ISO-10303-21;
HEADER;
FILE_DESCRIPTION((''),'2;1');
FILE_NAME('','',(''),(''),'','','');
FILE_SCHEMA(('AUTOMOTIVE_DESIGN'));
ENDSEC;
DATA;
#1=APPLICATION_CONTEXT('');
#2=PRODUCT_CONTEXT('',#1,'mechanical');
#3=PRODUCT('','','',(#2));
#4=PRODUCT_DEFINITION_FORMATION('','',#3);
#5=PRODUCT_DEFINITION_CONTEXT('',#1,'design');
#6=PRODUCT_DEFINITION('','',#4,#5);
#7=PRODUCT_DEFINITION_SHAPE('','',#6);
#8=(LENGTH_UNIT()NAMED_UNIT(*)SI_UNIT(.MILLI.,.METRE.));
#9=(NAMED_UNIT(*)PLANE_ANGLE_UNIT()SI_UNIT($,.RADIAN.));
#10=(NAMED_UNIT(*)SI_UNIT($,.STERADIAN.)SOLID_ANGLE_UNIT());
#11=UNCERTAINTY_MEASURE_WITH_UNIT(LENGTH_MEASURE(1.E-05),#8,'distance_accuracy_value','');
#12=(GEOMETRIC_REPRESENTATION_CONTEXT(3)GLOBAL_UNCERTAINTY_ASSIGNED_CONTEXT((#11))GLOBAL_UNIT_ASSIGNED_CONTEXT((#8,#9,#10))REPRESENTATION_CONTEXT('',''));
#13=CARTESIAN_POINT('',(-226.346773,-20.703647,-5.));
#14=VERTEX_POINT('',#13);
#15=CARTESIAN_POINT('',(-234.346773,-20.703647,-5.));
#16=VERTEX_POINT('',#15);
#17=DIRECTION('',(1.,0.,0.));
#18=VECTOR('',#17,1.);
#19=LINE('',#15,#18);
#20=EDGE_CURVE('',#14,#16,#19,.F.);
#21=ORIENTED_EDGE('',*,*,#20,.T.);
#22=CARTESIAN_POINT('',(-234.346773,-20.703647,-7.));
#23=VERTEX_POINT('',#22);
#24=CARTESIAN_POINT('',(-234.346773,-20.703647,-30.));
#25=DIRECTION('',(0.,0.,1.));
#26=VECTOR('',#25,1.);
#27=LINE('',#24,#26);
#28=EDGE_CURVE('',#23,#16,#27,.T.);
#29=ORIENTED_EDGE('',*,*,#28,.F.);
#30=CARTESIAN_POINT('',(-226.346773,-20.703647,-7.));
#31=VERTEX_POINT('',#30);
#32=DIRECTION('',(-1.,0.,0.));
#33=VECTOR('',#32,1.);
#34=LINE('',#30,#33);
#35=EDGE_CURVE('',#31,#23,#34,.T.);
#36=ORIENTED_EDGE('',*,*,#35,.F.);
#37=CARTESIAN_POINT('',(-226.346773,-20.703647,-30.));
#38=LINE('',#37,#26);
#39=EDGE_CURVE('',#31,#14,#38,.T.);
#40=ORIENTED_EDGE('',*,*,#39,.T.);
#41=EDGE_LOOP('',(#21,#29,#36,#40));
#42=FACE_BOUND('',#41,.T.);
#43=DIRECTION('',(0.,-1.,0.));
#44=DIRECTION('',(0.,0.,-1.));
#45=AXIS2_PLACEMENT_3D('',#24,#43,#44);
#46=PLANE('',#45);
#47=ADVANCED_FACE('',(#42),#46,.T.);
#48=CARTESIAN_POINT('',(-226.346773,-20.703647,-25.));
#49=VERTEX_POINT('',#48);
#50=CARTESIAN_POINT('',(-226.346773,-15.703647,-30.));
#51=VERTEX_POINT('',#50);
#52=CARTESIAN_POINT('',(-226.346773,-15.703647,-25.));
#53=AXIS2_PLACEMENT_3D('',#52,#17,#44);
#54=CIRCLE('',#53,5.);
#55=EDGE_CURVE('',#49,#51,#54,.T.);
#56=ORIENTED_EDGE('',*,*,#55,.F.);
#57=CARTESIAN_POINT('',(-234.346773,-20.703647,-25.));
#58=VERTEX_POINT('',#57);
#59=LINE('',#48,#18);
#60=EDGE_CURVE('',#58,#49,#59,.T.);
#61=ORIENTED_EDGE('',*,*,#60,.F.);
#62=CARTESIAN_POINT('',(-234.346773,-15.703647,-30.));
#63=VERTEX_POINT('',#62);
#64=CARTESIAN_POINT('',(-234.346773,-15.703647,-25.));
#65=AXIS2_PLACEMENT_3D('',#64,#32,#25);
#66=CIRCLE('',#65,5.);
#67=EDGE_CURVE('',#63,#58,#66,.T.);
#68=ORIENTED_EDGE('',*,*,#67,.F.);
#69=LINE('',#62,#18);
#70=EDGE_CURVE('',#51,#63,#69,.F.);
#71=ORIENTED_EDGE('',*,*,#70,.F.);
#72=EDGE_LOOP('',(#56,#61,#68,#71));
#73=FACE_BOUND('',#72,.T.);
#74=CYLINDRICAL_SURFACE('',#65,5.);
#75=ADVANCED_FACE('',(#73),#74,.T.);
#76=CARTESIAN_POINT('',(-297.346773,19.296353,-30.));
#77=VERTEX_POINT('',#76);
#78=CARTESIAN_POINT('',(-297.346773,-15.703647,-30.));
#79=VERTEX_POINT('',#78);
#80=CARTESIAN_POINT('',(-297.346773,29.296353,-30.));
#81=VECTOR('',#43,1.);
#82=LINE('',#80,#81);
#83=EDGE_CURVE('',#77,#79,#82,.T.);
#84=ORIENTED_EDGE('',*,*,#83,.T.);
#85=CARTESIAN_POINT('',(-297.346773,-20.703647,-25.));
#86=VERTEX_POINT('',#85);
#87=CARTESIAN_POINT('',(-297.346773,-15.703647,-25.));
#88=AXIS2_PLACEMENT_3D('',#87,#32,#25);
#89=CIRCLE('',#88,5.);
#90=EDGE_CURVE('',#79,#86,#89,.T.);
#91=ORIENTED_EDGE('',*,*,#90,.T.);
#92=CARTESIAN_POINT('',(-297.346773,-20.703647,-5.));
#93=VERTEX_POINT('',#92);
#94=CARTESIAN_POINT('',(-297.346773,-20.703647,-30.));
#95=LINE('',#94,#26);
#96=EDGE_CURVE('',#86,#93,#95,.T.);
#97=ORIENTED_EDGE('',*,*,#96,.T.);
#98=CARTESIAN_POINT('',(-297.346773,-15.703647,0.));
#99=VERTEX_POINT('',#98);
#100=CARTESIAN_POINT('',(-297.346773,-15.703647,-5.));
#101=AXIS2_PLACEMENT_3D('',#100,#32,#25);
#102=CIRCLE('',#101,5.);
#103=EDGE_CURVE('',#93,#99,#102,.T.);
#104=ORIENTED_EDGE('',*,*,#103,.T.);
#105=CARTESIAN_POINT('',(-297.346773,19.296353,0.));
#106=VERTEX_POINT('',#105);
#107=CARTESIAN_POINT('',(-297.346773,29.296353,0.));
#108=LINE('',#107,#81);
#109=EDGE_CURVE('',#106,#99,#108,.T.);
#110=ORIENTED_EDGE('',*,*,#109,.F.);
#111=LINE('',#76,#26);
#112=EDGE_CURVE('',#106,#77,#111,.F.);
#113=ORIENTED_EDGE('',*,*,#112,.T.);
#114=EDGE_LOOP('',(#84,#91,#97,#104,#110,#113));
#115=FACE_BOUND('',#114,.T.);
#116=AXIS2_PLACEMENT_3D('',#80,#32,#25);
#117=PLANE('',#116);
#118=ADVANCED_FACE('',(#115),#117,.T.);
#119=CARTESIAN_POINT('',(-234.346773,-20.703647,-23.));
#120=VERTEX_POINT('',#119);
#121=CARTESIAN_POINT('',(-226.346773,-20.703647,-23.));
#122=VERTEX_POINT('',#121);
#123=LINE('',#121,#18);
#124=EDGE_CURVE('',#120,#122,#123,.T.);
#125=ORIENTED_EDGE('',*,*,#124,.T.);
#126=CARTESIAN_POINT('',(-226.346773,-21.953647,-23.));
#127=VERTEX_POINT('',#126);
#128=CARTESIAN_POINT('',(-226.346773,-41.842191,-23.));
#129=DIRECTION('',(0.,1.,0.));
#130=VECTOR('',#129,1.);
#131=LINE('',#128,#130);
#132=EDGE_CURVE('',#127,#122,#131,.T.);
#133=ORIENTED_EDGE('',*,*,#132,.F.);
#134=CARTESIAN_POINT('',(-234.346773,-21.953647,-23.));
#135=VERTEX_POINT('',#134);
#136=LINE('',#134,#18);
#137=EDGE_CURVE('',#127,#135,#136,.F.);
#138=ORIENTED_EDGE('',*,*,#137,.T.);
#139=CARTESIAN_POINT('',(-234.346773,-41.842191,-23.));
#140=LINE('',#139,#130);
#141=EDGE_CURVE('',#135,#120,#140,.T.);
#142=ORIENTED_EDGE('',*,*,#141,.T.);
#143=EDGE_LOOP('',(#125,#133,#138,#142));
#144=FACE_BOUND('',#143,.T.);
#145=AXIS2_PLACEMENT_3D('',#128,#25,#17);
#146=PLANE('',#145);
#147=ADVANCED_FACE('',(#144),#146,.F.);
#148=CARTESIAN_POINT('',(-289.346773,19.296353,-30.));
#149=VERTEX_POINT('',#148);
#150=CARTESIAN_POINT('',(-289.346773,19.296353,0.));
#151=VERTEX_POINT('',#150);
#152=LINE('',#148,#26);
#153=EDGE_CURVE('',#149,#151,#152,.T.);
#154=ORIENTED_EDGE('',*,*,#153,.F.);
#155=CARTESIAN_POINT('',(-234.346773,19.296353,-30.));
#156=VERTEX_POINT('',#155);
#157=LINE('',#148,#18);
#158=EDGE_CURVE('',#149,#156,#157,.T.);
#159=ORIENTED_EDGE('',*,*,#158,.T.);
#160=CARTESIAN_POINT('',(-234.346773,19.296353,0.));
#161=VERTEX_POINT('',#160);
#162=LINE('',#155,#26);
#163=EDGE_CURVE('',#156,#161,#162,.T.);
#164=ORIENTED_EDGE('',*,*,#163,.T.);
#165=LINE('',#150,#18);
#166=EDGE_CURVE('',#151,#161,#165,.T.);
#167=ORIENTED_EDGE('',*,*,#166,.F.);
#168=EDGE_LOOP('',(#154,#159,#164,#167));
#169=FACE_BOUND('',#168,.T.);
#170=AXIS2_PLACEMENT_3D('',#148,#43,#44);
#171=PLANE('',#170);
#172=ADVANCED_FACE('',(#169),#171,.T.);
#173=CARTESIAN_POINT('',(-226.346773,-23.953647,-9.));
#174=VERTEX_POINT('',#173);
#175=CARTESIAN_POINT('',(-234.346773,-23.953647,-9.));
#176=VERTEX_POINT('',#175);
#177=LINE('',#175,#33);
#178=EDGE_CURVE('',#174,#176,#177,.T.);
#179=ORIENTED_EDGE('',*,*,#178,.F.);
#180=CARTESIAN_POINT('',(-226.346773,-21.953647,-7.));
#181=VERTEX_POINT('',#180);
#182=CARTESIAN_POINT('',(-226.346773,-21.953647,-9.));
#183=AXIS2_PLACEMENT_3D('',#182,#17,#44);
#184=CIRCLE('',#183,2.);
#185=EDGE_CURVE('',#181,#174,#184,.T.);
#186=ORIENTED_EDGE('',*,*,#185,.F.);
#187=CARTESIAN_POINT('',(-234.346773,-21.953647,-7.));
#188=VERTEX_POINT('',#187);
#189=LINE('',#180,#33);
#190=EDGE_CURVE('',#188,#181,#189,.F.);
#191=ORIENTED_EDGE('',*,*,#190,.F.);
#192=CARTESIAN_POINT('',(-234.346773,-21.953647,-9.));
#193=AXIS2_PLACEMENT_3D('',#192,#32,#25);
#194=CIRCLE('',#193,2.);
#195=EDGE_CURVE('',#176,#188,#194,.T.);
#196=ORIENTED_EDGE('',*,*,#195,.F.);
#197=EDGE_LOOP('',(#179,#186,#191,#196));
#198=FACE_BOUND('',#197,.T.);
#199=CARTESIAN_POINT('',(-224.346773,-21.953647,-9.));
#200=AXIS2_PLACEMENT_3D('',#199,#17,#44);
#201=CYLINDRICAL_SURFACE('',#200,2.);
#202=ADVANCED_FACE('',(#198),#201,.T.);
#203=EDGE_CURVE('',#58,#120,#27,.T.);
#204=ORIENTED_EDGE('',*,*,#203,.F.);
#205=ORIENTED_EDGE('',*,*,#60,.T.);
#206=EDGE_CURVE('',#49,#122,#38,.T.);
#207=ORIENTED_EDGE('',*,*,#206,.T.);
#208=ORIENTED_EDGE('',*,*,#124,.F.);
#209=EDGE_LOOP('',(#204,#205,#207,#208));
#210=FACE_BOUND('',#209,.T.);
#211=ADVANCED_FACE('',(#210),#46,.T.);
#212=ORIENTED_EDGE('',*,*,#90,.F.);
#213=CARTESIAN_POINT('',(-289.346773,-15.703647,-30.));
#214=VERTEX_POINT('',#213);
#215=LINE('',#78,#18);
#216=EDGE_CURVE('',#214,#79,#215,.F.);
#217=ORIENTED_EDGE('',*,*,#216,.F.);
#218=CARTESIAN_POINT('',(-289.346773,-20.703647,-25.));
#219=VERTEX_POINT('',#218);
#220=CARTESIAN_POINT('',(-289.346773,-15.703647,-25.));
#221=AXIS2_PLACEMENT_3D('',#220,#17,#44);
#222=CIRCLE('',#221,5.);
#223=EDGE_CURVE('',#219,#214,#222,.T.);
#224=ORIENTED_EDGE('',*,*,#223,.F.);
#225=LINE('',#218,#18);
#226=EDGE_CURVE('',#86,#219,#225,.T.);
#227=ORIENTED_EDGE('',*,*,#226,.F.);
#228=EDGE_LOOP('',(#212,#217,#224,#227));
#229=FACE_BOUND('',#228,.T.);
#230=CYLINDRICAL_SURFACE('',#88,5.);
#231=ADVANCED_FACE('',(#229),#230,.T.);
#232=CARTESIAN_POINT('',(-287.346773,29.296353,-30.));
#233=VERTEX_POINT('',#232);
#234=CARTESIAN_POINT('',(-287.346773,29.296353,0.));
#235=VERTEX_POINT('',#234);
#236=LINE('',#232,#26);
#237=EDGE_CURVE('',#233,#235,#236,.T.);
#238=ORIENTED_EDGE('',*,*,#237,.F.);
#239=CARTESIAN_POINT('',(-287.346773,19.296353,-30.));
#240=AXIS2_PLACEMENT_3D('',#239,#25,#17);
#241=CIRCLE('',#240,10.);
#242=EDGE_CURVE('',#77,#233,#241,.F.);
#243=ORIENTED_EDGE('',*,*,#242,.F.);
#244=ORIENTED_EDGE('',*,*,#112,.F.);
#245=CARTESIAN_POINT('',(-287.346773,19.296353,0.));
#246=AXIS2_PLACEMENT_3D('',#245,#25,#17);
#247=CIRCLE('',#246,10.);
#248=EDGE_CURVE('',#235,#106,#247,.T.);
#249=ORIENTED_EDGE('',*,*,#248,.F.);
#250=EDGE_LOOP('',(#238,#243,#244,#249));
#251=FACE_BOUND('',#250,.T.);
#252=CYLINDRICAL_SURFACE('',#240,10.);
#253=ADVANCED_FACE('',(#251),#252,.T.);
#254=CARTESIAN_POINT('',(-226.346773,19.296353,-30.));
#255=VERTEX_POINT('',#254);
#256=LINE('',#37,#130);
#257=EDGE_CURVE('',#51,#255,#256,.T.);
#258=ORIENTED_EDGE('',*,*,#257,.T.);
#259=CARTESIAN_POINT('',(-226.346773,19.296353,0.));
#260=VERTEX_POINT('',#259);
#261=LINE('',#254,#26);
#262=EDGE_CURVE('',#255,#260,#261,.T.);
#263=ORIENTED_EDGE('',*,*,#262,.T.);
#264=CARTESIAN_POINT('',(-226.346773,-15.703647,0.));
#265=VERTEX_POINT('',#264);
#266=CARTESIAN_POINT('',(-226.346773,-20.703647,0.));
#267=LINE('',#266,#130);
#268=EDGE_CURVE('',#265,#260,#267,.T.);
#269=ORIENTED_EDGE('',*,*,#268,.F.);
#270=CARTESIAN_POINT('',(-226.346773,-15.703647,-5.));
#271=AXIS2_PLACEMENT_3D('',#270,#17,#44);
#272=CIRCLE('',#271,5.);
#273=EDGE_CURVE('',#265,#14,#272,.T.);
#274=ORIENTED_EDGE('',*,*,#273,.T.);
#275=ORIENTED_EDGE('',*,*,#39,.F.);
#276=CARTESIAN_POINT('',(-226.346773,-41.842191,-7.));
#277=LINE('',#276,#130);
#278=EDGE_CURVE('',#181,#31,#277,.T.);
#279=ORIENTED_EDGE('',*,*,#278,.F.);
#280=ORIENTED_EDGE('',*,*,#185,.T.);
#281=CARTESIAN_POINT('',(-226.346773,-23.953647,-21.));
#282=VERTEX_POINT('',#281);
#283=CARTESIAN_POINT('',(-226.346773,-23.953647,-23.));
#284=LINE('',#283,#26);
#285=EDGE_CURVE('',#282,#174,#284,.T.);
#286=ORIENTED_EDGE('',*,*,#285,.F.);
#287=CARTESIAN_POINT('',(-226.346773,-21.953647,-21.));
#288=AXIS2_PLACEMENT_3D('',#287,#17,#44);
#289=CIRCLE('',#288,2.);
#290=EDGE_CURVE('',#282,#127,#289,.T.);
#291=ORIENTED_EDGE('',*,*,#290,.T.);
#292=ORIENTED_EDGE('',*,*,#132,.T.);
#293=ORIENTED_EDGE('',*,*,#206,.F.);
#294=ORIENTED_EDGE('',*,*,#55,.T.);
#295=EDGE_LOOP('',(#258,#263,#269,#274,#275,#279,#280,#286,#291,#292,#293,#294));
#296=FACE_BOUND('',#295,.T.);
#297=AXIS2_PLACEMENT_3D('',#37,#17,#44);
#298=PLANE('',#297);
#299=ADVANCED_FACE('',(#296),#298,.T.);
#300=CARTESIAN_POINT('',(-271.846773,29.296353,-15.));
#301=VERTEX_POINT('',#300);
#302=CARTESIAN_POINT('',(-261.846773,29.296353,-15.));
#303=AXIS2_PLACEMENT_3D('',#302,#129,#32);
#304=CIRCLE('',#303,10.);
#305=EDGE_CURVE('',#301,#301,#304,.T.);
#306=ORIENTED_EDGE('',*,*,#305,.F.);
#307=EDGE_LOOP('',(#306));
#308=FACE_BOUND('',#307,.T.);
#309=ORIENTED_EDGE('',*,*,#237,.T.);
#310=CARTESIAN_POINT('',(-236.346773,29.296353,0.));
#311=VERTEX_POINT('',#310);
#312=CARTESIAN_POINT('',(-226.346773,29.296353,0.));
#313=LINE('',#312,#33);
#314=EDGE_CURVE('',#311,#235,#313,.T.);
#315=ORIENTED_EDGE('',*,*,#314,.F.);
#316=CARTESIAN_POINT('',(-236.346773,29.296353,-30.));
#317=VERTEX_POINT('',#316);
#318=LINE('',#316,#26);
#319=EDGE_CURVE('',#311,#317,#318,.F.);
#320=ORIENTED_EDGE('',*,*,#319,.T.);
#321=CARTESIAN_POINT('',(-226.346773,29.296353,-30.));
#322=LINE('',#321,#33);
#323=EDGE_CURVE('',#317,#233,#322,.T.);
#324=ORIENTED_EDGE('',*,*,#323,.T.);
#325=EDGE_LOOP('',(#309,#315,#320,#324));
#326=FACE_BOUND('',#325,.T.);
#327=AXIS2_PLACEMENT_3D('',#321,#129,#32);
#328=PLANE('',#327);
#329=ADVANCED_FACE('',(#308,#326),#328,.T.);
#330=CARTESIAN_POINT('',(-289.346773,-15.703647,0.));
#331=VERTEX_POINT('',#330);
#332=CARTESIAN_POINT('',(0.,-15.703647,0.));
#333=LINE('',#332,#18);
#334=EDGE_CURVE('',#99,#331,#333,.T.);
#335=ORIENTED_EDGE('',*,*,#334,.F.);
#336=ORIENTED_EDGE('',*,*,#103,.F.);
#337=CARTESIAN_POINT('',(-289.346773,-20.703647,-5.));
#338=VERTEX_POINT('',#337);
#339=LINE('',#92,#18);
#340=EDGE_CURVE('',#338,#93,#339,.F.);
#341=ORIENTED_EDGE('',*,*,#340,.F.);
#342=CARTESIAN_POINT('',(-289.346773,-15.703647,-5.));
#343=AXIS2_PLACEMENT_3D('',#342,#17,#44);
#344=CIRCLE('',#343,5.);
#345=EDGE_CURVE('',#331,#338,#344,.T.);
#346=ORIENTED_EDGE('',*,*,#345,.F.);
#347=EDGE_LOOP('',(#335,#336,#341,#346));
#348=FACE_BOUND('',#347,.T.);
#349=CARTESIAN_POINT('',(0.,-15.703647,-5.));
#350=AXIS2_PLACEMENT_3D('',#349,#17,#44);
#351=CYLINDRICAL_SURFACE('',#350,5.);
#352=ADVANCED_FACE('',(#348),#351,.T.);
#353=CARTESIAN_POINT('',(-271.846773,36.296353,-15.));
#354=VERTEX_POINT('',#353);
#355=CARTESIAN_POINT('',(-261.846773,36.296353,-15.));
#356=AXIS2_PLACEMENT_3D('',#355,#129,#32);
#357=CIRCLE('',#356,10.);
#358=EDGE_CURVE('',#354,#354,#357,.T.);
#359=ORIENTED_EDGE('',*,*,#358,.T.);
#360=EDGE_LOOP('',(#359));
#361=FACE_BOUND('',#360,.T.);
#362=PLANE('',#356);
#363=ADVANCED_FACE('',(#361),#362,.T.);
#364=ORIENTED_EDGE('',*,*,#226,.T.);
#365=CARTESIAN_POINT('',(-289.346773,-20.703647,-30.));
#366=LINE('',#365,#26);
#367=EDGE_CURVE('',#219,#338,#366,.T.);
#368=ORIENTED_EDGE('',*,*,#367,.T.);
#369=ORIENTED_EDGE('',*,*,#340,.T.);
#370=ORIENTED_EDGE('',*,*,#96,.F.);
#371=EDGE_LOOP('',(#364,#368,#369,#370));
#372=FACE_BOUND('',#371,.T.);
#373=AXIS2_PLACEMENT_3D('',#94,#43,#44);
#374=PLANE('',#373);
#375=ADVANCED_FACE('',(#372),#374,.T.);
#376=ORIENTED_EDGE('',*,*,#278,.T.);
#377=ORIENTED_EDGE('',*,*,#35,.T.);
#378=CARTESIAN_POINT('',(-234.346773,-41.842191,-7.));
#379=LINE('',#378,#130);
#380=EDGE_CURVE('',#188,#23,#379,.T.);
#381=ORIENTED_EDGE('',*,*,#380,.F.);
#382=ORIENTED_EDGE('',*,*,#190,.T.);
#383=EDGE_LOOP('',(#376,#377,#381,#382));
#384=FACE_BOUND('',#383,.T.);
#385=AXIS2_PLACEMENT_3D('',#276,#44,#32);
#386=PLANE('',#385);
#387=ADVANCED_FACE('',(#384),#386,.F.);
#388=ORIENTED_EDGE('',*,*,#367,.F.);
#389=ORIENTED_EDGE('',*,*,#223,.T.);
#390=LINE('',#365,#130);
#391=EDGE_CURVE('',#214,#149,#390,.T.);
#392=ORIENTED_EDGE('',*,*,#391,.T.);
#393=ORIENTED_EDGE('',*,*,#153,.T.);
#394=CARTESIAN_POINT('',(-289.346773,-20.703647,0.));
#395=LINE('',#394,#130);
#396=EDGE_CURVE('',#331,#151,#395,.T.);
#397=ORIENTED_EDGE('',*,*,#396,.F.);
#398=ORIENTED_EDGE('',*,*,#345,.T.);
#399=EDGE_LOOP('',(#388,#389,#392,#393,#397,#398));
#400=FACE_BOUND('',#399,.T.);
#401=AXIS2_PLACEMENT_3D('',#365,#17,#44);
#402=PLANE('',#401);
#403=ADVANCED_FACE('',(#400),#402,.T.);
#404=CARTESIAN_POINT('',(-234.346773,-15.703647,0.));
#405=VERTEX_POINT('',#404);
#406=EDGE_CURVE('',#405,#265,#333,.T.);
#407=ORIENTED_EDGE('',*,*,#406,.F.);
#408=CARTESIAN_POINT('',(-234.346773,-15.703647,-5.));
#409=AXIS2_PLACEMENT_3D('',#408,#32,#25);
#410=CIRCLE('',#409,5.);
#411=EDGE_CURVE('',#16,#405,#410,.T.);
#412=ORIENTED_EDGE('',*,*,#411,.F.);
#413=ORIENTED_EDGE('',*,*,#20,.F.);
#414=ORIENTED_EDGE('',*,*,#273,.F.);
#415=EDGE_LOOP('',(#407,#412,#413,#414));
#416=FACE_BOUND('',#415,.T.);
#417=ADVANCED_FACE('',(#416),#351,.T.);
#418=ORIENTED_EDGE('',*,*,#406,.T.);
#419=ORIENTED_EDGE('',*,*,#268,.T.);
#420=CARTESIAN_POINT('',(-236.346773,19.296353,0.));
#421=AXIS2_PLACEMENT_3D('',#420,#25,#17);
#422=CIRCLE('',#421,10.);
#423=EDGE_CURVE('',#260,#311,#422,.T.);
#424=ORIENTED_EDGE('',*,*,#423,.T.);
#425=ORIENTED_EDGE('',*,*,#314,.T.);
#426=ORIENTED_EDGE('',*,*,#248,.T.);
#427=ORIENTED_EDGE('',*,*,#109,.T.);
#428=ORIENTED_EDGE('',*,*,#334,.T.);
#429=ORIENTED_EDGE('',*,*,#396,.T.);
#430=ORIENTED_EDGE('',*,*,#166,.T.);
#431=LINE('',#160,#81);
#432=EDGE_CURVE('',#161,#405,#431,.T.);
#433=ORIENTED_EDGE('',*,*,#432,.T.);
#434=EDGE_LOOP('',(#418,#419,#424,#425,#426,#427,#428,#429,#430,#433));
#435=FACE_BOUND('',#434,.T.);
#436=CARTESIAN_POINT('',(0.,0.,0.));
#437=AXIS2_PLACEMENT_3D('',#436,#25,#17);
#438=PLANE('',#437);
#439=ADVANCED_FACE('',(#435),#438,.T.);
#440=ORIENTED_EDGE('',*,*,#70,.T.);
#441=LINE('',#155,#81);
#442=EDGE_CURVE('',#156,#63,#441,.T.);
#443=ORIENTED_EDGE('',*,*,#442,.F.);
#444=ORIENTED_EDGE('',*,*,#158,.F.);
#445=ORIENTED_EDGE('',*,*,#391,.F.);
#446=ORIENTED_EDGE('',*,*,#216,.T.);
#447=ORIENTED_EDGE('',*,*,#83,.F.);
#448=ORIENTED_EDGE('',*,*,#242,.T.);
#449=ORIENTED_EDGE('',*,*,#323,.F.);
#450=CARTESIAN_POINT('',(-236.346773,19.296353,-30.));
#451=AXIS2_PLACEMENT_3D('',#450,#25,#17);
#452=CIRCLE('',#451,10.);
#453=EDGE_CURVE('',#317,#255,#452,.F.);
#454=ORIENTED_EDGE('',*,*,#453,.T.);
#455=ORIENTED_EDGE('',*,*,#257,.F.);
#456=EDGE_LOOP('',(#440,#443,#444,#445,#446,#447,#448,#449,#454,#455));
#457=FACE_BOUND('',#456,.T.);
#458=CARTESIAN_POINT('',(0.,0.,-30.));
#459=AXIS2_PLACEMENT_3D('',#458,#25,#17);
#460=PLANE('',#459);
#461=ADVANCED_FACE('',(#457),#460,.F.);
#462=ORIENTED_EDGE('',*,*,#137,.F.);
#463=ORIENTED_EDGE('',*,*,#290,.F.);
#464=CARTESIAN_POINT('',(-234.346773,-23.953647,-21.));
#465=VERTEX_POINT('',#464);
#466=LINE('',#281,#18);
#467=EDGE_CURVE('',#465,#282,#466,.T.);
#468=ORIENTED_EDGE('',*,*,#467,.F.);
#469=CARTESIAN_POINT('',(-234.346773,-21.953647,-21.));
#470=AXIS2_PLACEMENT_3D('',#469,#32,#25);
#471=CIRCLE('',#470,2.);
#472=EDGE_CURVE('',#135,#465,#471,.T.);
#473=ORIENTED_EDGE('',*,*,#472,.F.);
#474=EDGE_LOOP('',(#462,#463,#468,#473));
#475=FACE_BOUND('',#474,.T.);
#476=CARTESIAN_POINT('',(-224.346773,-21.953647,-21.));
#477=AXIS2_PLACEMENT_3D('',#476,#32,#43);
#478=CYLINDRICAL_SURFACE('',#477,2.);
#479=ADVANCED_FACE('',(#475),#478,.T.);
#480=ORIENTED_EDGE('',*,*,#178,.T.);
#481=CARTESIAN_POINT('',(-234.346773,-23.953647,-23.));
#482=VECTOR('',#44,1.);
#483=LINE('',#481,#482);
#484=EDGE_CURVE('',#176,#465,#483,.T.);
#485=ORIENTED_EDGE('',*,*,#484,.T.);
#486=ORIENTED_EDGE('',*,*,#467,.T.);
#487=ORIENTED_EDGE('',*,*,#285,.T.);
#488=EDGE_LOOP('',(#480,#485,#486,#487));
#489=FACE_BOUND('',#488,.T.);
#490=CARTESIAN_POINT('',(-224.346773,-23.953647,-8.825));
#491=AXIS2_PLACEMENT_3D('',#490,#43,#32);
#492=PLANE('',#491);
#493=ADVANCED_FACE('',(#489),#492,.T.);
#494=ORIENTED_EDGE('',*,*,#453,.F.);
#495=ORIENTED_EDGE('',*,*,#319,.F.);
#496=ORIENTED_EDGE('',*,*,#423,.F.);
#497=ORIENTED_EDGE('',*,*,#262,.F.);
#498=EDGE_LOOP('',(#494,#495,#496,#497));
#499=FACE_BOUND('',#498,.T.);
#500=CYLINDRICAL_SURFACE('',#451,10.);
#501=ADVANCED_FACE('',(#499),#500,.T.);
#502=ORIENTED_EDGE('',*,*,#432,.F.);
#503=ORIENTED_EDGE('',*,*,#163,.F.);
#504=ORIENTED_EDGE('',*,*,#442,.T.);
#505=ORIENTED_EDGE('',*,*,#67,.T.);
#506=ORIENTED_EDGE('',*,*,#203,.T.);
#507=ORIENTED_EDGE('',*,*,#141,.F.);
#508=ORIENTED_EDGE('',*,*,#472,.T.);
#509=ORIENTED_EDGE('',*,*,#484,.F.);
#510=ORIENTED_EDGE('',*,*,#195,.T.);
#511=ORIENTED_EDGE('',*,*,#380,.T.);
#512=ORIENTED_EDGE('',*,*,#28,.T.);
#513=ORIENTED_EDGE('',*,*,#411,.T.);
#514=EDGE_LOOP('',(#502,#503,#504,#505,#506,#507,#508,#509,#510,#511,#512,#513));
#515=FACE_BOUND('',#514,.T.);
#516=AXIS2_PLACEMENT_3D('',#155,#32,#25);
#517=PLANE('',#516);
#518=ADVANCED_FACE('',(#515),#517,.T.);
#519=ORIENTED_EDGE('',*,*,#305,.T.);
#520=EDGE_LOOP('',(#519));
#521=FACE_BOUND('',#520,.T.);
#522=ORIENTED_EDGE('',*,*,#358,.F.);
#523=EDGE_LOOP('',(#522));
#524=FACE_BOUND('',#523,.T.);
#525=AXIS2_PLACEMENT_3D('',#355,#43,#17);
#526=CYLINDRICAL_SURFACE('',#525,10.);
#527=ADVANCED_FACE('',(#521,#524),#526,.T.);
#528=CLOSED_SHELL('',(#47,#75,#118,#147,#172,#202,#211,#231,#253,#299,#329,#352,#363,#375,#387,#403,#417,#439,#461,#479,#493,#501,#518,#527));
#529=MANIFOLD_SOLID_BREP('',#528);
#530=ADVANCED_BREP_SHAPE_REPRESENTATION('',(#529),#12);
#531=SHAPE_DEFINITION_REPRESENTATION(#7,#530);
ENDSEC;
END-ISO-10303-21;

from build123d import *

# Parameters (mm, degrees)
BOSS_EXTRUDE1_DEPTH = 30
SKETCH2_R           = 10
BOSS_EXTRUDE2_DEPTH = 7
FILLET1_R           = 5
FILLET2_R           = 10
SKETCH3_W           = 8
SKETCH3_H           = 16
BOSS_EXTRUDE3_DEPTH = 3.25
FILLET3_R           = 2


with BuildPart() as part:
    # Sketch1 → Boss-Extrude1 (new body)
    with BuildSketch(Plane.XY):
        Polygon((-289.346773142, -20.703646913), (-289.346773142, 19.296353087), (-234.346773142, 19.296353087), (-234.346773142, -20.703646913), (-226.346773142, -20.703646913), (-226.346773142, 29.296353087), (-297.346773142, 29.296353087), (-297.346773142, -20.703646913), align=None)
    extrude(amount=-BOSS_EXTRUDE1_DEPTH)

    # Sketch2 → Boss-Extrude2 (add)
    with BuildSketch(Plane(origin=(0, 29.296353087, 0), x_dir=(1, 0, 0), z_dir=(0, 1, 0))):
        with Locations((-261.846773142, 15)):
            Circle(SKETCH2_R)
    extrude(amount=BOSS_EXTRUDE2_DEPTH)

    # Fillet1
    fillet1_edges = [part.edges().sort_by_distance(p)[0] for p in [
        (-293.346773142, -20.703646913, 0),
        (-293.346773142, -20.703646913, -30),
        (-230.346773142, -20.703646913, 0),
        (-230.346773142, -20.703646913, -30),
    ]]
    fillet(fillet1_edges, radius=FILLET1_R)

    # Fillet2
    fillet2_edges = [part.edges().sort_by_distance(p)[0] for p in [
        (-297.346773142, 29.296353087, -15),
        (-226.346773142, 29.296353087, -15),
    ]]
    fillet(fillet2_edges, radius=FILLET2_R)

    # Sketch3 → Boss-Extrude3 (add)
    with BuildSketch(Plane.XZ.offset(20.703646913)):
        with Locations((-230.346773142, -15)):
            Rectangle(SKETCH3_W, SKETCH3_H)
    extrude(amount=BOSS_EXTRUDE3_DEPTH)

    # Fillet3
    fillet3_edges = [part.edges().sort_by_distance(p)[0] for p in [
        (-230.346773142, -23.953646913, -7),
        (-230.346773142, -23.953646913, -23),
    ]]
    fillet(fillet3_edges, radius=FILLET3_R)


solid = part.part
